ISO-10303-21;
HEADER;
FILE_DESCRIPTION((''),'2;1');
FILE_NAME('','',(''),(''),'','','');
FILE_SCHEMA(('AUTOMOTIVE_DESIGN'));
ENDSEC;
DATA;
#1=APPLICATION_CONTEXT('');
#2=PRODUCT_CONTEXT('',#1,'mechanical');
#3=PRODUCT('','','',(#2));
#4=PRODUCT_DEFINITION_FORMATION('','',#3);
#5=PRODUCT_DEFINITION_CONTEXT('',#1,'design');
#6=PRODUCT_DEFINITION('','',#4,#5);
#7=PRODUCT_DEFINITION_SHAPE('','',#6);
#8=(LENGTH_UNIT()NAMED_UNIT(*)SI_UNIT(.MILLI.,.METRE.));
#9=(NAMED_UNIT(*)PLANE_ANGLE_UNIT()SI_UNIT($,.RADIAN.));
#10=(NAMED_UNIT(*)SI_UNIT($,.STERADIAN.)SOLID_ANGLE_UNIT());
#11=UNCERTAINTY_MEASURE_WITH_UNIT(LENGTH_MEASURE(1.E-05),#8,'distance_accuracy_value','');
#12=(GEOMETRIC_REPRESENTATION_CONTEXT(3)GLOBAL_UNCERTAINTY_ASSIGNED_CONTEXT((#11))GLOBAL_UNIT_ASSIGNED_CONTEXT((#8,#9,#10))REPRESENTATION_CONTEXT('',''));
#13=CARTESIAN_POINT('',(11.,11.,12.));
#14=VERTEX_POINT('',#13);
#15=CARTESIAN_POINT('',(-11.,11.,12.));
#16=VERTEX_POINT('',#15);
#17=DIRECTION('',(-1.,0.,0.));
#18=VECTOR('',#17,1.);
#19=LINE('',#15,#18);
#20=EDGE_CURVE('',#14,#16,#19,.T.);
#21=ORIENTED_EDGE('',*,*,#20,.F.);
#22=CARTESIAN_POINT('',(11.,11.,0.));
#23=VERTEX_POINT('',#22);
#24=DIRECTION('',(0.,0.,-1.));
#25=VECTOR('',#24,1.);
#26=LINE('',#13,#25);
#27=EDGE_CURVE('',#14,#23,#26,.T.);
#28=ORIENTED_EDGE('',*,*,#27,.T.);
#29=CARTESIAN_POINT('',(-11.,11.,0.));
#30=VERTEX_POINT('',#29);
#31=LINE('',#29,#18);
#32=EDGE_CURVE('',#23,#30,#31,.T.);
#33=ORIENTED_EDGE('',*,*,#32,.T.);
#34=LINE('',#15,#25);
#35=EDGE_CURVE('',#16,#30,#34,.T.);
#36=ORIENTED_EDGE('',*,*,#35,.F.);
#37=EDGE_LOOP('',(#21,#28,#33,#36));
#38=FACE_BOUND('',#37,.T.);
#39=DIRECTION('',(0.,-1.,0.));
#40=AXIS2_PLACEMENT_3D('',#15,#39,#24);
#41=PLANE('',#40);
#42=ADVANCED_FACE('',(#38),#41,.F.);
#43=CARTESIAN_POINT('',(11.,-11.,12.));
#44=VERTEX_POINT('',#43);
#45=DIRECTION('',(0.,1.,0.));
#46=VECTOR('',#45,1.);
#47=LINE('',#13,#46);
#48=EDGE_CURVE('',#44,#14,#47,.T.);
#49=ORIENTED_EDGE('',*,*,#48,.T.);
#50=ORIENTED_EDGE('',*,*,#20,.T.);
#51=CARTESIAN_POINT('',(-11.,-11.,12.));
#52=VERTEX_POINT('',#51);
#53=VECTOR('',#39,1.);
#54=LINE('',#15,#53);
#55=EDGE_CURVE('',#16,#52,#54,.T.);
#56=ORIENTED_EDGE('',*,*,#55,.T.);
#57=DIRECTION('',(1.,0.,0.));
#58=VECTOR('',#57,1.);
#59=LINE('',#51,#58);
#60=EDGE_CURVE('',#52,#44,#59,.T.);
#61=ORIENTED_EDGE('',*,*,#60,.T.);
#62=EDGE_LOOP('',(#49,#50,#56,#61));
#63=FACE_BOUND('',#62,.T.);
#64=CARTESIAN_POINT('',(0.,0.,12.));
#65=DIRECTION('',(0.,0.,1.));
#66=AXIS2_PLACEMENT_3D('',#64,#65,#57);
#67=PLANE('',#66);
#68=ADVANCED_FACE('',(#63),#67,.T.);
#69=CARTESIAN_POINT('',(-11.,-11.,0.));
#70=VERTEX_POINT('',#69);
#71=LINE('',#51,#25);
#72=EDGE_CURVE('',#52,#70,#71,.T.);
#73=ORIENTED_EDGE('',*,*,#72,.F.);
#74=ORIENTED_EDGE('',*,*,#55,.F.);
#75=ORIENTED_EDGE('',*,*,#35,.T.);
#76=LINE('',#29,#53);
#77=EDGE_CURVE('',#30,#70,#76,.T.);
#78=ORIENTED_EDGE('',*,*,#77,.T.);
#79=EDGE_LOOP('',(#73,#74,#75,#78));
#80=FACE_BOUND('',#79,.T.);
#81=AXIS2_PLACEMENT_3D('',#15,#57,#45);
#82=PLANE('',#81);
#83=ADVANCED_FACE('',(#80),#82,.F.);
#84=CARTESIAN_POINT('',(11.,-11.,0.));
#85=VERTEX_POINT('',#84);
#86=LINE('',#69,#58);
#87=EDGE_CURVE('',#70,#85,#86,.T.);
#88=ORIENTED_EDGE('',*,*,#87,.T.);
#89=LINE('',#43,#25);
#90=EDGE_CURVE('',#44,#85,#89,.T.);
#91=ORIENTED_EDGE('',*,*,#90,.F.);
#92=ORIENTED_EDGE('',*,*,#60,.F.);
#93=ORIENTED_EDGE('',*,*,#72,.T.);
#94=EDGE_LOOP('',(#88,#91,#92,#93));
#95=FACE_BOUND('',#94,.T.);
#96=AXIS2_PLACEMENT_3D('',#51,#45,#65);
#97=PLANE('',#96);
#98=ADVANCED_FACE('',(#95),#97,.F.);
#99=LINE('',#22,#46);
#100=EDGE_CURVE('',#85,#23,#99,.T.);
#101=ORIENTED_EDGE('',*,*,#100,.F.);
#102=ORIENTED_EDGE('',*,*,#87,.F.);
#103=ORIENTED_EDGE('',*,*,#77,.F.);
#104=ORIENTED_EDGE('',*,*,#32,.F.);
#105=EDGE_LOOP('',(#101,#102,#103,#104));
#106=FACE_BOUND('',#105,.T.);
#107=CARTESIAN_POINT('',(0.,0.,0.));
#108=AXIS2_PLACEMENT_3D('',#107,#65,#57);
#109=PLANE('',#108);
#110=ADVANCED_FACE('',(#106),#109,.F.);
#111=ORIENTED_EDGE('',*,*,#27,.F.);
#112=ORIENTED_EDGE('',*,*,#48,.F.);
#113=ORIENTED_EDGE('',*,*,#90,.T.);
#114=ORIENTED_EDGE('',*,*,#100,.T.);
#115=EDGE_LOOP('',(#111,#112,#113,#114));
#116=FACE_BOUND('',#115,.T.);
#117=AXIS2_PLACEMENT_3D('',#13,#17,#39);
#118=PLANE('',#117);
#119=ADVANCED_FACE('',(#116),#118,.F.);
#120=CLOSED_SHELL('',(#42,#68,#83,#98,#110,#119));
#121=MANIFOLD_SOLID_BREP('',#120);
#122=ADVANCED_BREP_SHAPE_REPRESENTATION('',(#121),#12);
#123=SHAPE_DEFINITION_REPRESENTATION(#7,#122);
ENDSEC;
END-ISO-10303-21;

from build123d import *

# Parameters (mm, degrees)
ESQUISSE1_W        = 22
ESQUISSE1_H        = 22
BOSS_EXTRU_1_DEPTH = 12


with BuildPart() as part:
    # Esquisse1 → Boss.-Extru.1 (new body)
    with BuildSketch(Plane.XY):
        Rectangle(ESQUISSE1_W, ESQUISSE1_H)
    extrude(amount=BOSS_EXTRU_1_DEPTH)


solid = part.part
